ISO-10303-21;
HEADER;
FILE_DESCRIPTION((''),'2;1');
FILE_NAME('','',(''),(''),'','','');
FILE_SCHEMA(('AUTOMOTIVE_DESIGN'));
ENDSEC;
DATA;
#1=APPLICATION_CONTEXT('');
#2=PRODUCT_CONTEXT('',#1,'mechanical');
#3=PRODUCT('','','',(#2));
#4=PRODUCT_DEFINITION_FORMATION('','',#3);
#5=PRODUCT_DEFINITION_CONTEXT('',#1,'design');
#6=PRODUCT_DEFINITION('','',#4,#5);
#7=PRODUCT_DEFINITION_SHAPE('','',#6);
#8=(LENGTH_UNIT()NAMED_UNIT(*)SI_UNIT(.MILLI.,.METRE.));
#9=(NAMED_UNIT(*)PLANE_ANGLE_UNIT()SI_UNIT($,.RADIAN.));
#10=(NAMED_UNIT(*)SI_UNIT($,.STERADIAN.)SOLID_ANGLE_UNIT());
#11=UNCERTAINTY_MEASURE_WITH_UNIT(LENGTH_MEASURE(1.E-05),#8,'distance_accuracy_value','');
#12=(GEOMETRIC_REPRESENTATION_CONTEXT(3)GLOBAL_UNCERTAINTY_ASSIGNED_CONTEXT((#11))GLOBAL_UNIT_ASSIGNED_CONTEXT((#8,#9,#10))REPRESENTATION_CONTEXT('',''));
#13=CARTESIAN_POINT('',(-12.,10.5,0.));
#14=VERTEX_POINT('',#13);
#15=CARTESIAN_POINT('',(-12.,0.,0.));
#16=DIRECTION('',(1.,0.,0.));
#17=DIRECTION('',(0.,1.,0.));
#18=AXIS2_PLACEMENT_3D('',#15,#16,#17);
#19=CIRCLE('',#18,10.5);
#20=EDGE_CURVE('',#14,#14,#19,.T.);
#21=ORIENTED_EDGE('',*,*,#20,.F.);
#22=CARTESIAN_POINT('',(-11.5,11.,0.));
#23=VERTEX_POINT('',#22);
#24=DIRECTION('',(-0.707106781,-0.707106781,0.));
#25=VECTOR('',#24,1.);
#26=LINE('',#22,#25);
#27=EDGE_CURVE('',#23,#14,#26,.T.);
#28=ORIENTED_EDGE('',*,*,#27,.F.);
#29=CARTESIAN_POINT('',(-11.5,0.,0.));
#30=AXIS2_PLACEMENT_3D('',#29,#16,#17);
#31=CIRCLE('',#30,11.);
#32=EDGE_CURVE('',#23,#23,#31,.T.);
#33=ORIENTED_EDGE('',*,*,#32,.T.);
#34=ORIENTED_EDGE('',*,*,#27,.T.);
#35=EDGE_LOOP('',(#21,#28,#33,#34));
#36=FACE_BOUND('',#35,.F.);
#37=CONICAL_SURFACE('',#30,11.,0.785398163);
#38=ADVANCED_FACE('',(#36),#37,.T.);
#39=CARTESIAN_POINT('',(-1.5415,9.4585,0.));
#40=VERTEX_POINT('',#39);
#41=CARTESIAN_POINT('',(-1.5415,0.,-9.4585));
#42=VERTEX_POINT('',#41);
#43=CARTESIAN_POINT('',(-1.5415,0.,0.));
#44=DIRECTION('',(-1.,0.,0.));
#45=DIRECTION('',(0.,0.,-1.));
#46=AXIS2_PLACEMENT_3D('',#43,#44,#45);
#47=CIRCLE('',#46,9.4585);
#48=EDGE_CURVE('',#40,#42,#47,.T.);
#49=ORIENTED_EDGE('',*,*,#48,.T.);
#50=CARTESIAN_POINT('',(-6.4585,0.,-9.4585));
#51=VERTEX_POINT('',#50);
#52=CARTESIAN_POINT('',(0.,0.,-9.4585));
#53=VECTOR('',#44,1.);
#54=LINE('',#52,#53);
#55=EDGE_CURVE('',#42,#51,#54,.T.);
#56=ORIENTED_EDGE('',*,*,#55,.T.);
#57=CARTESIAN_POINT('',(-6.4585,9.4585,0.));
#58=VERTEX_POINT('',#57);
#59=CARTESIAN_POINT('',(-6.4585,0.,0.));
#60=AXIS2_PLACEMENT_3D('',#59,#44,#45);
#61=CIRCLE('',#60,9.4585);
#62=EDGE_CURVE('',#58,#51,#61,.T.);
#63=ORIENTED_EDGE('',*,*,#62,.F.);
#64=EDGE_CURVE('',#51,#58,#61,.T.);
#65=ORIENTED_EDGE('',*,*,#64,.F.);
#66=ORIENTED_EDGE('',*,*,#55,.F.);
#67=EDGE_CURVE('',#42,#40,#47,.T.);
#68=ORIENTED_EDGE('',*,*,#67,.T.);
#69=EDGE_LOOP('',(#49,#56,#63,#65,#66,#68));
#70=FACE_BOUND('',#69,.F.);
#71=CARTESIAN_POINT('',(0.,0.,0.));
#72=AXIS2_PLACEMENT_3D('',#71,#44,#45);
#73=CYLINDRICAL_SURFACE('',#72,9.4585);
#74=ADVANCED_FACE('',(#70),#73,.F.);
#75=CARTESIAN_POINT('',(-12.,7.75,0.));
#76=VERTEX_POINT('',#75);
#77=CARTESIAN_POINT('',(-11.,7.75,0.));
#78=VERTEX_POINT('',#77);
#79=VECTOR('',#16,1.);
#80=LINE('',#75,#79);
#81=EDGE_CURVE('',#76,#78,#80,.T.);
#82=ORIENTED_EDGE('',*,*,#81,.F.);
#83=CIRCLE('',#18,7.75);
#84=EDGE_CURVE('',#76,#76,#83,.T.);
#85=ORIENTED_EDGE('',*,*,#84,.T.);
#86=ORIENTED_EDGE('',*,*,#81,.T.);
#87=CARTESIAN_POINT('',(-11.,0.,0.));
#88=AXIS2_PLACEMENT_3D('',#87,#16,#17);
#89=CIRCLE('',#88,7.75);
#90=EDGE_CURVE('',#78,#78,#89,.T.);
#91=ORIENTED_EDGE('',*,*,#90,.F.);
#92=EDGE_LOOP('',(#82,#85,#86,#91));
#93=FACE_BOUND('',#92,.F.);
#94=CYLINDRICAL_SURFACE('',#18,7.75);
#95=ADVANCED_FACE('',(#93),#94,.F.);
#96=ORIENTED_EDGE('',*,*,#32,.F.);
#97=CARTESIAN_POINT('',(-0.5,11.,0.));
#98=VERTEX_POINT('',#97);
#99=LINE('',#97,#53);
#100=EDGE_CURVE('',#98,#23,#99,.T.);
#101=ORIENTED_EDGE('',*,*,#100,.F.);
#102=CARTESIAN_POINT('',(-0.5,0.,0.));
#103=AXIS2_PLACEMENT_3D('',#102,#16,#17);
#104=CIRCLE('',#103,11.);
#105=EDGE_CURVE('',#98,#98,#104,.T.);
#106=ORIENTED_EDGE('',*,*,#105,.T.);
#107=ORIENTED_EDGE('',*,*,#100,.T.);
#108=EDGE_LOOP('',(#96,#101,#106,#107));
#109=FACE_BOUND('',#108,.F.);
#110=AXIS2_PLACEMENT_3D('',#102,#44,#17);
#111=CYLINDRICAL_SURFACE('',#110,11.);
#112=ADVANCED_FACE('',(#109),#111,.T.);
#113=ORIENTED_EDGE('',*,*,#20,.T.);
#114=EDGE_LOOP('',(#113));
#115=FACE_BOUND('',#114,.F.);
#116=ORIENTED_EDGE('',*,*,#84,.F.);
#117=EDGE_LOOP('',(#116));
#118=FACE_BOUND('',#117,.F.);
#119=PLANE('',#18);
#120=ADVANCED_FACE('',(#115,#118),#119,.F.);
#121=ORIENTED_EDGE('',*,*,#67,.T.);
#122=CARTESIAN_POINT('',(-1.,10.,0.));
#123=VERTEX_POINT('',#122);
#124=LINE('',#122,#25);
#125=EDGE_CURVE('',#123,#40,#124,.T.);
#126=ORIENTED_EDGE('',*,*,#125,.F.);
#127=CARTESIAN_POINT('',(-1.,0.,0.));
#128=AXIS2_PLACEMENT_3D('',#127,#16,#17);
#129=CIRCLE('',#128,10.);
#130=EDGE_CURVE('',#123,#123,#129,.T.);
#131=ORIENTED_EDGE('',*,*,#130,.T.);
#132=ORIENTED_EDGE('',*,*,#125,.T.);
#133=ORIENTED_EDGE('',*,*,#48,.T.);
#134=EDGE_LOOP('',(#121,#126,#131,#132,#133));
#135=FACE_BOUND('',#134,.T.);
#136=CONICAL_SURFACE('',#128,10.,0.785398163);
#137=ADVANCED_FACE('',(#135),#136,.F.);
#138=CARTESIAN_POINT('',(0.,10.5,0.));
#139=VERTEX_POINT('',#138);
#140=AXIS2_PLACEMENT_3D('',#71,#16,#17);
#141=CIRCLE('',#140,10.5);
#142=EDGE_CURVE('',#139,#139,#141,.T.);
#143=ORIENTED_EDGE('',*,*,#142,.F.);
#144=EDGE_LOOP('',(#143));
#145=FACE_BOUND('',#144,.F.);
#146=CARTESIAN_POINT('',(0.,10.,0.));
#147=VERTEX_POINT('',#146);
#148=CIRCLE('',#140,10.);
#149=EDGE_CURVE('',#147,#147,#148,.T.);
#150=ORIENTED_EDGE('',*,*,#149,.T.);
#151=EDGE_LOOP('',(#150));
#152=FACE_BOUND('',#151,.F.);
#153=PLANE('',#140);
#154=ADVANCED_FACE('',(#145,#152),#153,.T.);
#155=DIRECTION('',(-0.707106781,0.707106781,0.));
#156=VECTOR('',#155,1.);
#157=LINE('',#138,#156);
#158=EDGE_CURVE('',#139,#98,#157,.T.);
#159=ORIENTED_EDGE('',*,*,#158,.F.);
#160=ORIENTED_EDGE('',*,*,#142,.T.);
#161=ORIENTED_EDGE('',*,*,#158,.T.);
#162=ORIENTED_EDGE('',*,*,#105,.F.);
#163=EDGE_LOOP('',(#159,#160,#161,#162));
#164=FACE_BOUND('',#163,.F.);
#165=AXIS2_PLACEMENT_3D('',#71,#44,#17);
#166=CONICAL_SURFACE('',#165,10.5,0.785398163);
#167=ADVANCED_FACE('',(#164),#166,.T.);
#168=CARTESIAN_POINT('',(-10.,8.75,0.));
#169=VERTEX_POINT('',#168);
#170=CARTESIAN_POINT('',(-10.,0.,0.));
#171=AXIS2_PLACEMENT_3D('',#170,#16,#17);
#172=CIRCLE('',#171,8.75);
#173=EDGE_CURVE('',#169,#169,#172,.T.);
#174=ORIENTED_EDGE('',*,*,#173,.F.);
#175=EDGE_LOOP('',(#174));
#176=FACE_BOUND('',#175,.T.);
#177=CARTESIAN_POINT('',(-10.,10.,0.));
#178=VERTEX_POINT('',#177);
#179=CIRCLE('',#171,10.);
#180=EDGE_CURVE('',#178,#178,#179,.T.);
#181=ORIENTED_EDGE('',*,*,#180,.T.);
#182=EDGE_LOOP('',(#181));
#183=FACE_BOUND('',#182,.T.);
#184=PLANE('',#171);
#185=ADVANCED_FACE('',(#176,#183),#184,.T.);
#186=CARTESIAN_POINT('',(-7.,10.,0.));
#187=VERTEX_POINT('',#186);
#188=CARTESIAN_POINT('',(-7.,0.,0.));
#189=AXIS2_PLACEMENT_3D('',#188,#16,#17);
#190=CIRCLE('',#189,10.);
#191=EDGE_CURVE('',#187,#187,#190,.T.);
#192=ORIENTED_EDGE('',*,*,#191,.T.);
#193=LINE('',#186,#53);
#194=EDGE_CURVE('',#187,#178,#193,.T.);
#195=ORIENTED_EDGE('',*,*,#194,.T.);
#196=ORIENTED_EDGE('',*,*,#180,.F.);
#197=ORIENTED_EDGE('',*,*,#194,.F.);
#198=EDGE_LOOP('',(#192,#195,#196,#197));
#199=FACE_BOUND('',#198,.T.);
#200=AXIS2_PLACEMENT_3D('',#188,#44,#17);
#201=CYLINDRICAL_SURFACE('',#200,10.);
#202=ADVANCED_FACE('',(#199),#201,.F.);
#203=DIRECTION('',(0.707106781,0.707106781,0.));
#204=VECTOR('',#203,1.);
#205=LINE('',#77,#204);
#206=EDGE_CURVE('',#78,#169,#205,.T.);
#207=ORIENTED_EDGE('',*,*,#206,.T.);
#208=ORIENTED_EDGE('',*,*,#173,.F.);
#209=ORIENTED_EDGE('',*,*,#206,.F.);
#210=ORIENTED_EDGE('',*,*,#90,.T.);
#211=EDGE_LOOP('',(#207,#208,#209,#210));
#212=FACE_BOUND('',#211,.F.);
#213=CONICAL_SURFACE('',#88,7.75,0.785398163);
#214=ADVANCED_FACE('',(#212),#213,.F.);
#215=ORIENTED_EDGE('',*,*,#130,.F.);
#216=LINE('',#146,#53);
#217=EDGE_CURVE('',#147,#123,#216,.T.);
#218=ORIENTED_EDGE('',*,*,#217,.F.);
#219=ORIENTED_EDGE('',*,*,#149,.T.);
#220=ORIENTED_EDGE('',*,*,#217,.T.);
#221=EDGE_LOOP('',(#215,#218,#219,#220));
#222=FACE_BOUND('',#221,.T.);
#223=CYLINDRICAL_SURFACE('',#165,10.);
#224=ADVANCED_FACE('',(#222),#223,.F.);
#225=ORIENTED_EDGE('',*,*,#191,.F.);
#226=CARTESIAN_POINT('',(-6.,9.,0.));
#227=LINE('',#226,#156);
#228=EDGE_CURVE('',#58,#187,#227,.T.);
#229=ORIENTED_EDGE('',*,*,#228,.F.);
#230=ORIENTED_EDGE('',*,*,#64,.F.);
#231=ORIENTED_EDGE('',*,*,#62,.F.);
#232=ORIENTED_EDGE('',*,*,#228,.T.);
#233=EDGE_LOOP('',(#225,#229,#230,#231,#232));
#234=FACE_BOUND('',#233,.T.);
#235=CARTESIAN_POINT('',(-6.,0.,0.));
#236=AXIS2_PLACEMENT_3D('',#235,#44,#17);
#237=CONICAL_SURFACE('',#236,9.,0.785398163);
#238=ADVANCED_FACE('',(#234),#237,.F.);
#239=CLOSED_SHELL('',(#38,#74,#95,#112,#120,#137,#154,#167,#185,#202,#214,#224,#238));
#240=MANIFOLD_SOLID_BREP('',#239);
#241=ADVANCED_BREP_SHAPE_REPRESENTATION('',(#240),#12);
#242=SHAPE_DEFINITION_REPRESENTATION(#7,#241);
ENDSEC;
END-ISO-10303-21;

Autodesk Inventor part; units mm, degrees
ref_plane "YZ Plane" through (0, 0, 0) normal (1, 0, 0) x (0, 1, 0)
ref_plane "XZ Plane" through (0, 0, 0) normal (0, 1, 0) x (-1, 0, 0)
ref_plane "XY Plane" through (0, 0, 0) normal (0, 0, 1) x (1, 0, 0)
sketch "Skizze1" plane through (0, 0, 0) normal (0, 0, 1) x (1, 0, 0)
  line L0 (-14.4, 0) -> (2.4, 0) projected
  line L1 (0, -2.2) -> (0, 13.2) projected
  line L2 (0, 10) -> (-1, 10)
  line L3 (-1, 10) -> (-2, 9)
  line L4 (-2, 9) -> (-6, 9)
  line L5 (-6, 9) -> (-7, 10)
  line L6 (-7, 10) -> (-10, 10)
  line L7 (-10, 10) -> (-10, 8.75)
  line L8 (-0.5, 11) -> (-11.5, 11)
  line L9 (-12, 10.5) -> (-12, 7.75)
  line L10 (-12, 7.75) -> (-11, 7.75)
  line L11 (-11, 7.75) -> (-10, 8.75)
  line L12 (-11.5, 11) -> (-12, 10.5)
  line L13 (0, 10.5) -> (0, 10)
  line L14 (0, 10.5) -> (-0.5, 11)
  point P0 (0, 0)
  point P1 (0, 11)
  point P2 (-12, 11)
  dimension "d0" = 18
  dimension "d1" = 20
  dimension "d2" = 45
  dimension "d3" = 45
  dimension "d4" = 1
  dimension "d5" = 10
  dimension "d6" = 3
  dimension "d7" = 12
  dimension "d9" = 15.5
  dimension "d10" = 1
  dimension "d11" = 0.5
  dimension "d12" = 0.5
  dimension "d13" = 0.5
  dimension "d14" = 0.5
  dimension "d25" = 17.5
  dimension "d26" = 1
revolve "Umdrehung1" add sketch "Skizze1" angle 360 about axis through (-10, 0, 0) along (1, 0, 0)
hole "Bohrung1" at (0, 0, 0) direction (-1, 0, 0) diameter 18.917 depth 8 thread size "M20x1" class "6H" standard "ISO Metric profile"
equation "\"d12\" = d11"
equation "\"d14\" = d13"
properties part number "13_0204_032"
